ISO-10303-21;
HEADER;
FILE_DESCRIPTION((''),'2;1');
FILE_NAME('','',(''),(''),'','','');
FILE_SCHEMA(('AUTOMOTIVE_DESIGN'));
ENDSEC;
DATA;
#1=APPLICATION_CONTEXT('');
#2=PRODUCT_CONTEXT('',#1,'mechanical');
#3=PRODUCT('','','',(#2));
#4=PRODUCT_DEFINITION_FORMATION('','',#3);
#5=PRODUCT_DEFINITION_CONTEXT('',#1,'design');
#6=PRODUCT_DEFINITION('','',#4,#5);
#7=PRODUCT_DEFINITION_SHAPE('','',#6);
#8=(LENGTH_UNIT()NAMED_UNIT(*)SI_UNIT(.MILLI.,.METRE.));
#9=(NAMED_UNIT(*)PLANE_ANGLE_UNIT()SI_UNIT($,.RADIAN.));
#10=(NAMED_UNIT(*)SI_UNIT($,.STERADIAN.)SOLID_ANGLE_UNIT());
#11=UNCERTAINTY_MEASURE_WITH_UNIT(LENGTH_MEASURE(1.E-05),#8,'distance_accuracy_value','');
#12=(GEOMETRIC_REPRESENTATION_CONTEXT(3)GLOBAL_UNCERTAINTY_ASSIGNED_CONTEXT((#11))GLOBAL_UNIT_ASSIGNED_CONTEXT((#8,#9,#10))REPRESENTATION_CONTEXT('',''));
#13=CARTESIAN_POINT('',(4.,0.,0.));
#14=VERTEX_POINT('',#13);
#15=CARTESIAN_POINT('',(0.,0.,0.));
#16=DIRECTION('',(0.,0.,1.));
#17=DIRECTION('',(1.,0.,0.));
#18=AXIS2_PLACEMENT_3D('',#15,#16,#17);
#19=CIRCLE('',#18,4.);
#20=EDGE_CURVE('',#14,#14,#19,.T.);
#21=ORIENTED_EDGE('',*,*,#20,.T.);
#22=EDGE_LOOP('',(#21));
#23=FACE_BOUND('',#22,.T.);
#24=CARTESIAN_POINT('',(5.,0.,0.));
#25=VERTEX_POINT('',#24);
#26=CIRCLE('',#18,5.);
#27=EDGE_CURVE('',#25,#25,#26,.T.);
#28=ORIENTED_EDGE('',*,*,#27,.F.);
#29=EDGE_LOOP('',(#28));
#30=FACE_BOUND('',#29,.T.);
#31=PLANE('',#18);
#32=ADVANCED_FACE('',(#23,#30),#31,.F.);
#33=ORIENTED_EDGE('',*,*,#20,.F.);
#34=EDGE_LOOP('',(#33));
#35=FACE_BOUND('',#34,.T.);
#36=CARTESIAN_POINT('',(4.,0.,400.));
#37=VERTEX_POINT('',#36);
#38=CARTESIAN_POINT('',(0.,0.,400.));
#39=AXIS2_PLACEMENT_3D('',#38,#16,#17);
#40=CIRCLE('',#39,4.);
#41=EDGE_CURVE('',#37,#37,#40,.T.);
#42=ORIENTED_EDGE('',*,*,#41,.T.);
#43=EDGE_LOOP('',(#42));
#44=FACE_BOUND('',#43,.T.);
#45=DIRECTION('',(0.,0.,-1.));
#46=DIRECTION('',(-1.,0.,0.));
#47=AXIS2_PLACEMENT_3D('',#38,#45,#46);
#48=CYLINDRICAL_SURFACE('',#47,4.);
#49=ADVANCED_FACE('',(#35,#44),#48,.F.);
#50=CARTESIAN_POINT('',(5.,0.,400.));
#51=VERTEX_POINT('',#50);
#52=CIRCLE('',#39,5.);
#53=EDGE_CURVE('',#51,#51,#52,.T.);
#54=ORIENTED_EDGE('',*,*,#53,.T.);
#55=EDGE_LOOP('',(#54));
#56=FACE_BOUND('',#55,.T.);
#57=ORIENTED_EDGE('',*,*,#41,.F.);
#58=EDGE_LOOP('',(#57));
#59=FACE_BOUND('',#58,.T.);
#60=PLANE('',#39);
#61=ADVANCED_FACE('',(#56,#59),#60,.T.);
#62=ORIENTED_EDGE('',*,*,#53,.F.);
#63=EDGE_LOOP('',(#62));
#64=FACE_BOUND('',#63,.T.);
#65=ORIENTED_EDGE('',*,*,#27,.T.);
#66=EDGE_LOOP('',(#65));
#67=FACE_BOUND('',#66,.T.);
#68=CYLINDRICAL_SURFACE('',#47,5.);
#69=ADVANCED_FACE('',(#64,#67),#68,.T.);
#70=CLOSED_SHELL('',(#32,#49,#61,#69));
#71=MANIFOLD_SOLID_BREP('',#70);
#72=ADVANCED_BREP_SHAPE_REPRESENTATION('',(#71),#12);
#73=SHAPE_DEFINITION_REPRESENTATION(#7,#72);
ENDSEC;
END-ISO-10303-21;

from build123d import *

# Parameters (mm, degrees)
SKETCH_1_R      = 5
SKETCH_1_R_2    = 4
EXTRUDE_1_DEPTH = 400


with BuildPart() as part:
    # ｽｹｯﾁ1 → ﾎﾞｽ - 押し出し1 (new body)
    with BuildSketch(Plane.XY):
        Circle(SKETCH_1_R)
        Circle(SKETCH_1_R_2, mode=Mode.SUBTRACT)
    extrude(amount=EXTRUDE_1_DEPTH)


solid = part.part
